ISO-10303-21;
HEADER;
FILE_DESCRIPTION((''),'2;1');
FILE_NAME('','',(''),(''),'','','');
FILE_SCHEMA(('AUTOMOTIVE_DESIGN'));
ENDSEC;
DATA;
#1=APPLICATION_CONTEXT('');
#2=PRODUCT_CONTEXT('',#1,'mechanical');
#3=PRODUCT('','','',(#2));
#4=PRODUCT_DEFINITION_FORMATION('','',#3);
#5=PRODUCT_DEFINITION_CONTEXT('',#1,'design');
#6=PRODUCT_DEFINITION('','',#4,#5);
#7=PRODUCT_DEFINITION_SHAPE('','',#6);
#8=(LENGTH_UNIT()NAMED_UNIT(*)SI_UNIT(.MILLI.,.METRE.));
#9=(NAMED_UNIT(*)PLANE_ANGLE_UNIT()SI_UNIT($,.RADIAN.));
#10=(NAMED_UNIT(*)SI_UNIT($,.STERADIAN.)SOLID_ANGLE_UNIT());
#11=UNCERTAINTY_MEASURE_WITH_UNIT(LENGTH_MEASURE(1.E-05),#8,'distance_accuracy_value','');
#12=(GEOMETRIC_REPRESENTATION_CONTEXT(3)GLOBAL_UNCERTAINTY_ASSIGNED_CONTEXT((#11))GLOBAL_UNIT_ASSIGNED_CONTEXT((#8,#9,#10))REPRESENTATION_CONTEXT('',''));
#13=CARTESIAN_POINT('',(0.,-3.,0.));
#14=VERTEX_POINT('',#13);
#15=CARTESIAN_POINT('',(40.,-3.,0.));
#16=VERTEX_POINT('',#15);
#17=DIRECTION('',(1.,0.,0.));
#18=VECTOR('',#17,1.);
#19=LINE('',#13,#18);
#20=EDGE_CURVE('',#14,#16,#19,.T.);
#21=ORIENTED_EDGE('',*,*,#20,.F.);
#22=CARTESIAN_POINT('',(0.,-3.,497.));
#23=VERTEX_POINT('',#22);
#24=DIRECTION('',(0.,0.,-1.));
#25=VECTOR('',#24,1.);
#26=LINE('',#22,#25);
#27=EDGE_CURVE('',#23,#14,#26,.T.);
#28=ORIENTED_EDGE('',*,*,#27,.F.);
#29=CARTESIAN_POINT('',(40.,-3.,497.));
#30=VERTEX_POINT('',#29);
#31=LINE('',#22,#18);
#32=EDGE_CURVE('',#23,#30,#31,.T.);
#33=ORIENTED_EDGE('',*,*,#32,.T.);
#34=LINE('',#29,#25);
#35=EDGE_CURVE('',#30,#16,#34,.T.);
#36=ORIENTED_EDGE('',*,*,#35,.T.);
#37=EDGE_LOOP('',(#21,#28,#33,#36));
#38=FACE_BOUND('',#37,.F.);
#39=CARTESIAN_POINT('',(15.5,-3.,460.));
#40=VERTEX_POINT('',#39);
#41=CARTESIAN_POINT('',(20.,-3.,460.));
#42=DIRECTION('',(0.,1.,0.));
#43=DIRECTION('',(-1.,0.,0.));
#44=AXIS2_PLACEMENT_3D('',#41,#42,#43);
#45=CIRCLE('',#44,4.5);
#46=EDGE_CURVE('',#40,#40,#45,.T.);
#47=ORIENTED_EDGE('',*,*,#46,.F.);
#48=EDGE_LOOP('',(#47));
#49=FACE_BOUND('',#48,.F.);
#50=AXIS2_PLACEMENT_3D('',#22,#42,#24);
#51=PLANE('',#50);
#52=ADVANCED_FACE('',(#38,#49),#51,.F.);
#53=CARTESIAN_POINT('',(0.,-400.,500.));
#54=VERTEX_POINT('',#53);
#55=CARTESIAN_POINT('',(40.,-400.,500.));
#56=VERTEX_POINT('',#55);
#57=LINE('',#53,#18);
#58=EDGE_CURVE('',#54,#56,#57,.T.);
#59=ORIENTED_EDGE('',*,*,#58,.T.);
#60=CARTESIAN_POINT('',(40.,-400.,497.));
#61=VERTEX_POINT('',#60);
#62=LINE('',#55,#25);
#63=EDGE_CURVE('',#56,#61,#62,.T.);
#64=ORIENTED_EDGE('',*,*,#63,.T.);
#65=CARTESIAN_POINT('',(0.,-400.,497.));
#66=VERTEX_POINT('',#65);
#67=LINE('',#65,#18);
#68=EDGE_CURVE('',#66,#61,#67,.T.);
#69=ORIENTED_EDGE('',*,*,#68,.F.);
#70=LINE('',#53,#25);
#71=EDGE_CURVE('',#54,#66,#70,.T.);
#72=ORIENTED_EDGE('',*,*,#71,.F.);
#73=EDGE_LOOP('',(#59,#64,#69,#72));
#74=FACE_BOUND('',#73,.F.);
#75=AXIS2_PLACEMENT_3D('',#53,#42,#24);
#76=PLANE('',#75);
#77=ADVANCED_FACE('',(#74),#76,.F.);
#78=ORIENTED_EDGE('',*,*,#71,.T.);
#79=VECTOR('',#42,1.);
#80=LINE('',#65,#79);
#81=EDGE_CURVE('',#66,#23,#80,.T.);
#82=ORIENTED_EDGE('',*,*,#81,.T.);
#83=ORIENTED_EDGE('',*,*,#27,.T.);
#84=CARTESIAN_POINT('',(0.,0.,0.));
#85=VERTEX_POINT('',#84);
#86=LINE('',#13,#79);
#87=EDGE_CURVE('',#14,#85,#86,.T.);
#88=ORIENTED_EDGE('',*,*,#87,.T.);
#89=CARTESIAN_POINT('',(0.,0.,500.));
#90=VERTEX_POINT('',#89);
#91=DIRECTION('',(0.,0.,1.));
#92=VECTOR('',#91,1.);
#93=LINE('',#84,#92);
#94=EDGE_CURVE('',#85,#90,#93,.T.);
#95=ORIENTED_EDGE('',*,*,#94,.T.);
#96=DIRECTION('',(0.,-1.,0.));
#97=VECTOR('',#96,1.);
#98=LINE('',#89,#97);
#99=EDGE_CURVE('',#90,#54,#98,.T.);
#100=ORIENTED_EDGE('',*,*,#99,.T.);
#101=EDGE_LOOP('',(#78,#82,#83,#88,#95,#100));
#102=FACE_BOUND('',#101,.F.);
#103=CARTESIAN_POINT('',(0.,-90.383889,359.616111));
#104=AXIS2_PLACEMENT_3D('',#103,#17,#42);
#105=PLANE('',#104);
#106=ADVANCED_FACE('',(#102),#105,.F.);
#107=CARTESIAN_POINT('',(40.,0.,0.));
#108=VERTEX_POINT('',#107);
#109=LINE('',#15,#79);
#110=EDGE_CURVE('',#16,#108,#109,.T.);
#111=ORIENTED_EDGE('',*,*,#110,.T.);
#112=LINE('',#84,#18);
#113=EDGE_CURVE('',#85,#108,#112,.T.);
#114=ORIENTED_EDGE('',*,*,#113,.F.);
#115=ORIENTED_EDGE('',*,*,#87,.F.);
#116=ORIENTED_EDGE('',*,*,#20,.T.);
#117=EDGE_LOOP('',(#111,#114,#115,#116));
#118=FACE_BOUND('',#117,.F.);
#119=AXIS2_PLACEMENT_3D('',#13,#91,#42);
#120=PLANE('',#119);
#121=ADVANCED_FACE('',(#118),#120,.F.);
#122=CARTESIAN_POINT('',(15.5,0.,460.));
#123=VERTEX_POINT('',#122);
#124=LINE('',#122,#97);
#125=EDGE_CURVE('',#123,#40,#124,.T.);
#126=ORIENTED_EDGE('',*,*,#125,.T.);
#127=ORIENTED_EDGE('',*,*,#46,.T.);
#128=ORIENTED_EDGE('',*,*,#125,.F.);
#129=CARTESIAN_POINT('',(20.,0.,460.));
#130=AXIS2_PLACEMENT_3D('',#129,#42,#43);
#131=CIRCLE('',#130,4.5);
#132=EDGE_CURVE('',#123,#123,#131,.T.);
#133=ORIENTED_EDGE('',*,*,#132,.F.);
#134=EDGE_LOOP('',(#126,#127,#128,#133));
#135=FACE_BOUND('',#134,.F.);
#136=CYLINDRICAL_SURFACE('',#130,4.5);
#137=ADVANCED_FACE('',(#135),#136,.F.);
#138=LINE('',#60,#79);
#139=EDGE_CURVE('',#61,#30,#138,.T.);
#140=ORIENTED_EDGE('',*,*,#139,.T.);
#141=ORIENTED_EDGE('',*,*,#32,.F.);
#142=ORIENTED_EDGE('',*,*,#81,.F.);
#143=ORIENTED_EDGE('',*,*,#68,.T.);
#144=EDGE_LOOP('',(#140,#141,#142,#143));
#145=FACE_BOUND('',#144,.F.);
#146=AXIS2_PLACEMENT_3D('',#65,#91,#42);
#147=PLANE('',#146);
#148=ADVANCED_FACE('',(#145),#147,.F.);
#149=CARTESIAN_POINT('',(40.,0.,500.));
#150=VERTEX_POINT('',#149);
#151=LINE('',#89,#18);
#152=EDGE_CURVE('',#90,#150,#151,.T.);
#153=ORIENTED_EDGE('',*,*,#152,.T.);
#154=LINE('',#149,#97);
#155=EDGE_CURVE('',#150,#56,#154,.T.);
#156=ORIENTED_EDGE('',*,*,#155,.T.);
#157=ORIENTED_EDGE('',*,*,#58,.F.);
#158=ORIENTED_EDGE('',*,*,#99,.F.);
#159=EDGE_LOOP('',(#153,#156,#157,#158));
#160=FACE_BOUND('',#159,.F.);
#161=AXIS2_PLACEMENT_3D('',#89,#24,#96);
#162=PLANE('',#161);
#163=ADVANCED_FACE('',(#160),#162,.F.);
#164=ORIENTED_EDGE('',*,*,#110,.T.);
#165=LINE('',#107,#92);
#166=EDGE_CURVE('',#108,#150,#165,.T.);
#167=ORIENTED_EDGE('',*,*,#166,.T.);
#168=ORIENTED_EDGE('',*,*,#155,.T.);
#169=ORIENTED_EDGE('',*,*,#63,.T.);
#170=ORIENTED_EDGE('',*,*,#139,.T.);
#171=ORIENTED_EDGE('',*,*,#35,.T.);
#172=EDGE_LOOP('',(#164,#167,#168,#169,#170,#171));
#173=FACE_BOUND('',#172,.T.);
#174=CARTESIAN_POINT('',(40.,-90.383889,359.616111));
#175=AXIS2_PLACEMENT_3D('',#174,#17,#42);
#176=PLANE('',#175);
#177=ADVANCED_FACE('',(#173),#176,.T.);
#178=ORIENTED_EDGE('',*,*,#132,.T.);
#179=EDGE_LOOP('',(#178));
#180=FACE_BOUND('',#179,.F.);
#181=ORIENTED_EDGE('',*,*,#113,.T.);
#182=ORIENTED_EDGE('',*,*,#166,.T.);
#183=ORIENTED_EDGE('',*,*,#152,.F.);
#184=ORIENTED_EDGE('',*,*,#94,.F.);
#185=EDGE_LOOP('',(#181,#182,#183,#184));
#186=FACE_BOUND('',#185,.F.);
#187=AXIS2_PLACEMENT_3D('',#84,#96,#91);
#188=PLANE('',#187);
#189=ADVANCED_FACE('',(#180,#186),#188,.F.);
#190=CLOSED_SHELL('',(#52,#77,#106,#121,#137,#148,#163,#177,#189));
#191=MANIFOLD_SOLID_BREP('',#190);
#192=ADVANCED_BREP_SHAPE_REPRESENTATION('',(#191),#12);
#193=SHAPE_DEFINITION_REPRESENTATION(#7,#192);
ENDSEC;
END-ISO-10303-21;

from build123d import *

# Parameters (mm, degrees)
F1_DEPTH = 40
F2_R     = 4.5
F3_DEPTH = 400.001


with BuildPart() as f1:
    # F0 (on Right) → F1 (new body)
    with BuildSketch(Plane.YZ):
        Polygon((-3, 0), (0, 0), (0, 500), (-400, 500), (-400, 497), (-3, 497), align=None)
    extrude(amount=F1_DEPTH)

    # F2 (on face) → F3 (cut, through all)
    with BuildSketch(Plane(origin=(0, 0, 0), x_dir=(-1, 0, 0), z_dir=(0, 1, 0))):
        with Locations((-20, 460)):
            Circle(F2_R)
    extrude(amount=-F3_DEPTH, mode=Mode.SUBTRACT)


solid = f1.part
